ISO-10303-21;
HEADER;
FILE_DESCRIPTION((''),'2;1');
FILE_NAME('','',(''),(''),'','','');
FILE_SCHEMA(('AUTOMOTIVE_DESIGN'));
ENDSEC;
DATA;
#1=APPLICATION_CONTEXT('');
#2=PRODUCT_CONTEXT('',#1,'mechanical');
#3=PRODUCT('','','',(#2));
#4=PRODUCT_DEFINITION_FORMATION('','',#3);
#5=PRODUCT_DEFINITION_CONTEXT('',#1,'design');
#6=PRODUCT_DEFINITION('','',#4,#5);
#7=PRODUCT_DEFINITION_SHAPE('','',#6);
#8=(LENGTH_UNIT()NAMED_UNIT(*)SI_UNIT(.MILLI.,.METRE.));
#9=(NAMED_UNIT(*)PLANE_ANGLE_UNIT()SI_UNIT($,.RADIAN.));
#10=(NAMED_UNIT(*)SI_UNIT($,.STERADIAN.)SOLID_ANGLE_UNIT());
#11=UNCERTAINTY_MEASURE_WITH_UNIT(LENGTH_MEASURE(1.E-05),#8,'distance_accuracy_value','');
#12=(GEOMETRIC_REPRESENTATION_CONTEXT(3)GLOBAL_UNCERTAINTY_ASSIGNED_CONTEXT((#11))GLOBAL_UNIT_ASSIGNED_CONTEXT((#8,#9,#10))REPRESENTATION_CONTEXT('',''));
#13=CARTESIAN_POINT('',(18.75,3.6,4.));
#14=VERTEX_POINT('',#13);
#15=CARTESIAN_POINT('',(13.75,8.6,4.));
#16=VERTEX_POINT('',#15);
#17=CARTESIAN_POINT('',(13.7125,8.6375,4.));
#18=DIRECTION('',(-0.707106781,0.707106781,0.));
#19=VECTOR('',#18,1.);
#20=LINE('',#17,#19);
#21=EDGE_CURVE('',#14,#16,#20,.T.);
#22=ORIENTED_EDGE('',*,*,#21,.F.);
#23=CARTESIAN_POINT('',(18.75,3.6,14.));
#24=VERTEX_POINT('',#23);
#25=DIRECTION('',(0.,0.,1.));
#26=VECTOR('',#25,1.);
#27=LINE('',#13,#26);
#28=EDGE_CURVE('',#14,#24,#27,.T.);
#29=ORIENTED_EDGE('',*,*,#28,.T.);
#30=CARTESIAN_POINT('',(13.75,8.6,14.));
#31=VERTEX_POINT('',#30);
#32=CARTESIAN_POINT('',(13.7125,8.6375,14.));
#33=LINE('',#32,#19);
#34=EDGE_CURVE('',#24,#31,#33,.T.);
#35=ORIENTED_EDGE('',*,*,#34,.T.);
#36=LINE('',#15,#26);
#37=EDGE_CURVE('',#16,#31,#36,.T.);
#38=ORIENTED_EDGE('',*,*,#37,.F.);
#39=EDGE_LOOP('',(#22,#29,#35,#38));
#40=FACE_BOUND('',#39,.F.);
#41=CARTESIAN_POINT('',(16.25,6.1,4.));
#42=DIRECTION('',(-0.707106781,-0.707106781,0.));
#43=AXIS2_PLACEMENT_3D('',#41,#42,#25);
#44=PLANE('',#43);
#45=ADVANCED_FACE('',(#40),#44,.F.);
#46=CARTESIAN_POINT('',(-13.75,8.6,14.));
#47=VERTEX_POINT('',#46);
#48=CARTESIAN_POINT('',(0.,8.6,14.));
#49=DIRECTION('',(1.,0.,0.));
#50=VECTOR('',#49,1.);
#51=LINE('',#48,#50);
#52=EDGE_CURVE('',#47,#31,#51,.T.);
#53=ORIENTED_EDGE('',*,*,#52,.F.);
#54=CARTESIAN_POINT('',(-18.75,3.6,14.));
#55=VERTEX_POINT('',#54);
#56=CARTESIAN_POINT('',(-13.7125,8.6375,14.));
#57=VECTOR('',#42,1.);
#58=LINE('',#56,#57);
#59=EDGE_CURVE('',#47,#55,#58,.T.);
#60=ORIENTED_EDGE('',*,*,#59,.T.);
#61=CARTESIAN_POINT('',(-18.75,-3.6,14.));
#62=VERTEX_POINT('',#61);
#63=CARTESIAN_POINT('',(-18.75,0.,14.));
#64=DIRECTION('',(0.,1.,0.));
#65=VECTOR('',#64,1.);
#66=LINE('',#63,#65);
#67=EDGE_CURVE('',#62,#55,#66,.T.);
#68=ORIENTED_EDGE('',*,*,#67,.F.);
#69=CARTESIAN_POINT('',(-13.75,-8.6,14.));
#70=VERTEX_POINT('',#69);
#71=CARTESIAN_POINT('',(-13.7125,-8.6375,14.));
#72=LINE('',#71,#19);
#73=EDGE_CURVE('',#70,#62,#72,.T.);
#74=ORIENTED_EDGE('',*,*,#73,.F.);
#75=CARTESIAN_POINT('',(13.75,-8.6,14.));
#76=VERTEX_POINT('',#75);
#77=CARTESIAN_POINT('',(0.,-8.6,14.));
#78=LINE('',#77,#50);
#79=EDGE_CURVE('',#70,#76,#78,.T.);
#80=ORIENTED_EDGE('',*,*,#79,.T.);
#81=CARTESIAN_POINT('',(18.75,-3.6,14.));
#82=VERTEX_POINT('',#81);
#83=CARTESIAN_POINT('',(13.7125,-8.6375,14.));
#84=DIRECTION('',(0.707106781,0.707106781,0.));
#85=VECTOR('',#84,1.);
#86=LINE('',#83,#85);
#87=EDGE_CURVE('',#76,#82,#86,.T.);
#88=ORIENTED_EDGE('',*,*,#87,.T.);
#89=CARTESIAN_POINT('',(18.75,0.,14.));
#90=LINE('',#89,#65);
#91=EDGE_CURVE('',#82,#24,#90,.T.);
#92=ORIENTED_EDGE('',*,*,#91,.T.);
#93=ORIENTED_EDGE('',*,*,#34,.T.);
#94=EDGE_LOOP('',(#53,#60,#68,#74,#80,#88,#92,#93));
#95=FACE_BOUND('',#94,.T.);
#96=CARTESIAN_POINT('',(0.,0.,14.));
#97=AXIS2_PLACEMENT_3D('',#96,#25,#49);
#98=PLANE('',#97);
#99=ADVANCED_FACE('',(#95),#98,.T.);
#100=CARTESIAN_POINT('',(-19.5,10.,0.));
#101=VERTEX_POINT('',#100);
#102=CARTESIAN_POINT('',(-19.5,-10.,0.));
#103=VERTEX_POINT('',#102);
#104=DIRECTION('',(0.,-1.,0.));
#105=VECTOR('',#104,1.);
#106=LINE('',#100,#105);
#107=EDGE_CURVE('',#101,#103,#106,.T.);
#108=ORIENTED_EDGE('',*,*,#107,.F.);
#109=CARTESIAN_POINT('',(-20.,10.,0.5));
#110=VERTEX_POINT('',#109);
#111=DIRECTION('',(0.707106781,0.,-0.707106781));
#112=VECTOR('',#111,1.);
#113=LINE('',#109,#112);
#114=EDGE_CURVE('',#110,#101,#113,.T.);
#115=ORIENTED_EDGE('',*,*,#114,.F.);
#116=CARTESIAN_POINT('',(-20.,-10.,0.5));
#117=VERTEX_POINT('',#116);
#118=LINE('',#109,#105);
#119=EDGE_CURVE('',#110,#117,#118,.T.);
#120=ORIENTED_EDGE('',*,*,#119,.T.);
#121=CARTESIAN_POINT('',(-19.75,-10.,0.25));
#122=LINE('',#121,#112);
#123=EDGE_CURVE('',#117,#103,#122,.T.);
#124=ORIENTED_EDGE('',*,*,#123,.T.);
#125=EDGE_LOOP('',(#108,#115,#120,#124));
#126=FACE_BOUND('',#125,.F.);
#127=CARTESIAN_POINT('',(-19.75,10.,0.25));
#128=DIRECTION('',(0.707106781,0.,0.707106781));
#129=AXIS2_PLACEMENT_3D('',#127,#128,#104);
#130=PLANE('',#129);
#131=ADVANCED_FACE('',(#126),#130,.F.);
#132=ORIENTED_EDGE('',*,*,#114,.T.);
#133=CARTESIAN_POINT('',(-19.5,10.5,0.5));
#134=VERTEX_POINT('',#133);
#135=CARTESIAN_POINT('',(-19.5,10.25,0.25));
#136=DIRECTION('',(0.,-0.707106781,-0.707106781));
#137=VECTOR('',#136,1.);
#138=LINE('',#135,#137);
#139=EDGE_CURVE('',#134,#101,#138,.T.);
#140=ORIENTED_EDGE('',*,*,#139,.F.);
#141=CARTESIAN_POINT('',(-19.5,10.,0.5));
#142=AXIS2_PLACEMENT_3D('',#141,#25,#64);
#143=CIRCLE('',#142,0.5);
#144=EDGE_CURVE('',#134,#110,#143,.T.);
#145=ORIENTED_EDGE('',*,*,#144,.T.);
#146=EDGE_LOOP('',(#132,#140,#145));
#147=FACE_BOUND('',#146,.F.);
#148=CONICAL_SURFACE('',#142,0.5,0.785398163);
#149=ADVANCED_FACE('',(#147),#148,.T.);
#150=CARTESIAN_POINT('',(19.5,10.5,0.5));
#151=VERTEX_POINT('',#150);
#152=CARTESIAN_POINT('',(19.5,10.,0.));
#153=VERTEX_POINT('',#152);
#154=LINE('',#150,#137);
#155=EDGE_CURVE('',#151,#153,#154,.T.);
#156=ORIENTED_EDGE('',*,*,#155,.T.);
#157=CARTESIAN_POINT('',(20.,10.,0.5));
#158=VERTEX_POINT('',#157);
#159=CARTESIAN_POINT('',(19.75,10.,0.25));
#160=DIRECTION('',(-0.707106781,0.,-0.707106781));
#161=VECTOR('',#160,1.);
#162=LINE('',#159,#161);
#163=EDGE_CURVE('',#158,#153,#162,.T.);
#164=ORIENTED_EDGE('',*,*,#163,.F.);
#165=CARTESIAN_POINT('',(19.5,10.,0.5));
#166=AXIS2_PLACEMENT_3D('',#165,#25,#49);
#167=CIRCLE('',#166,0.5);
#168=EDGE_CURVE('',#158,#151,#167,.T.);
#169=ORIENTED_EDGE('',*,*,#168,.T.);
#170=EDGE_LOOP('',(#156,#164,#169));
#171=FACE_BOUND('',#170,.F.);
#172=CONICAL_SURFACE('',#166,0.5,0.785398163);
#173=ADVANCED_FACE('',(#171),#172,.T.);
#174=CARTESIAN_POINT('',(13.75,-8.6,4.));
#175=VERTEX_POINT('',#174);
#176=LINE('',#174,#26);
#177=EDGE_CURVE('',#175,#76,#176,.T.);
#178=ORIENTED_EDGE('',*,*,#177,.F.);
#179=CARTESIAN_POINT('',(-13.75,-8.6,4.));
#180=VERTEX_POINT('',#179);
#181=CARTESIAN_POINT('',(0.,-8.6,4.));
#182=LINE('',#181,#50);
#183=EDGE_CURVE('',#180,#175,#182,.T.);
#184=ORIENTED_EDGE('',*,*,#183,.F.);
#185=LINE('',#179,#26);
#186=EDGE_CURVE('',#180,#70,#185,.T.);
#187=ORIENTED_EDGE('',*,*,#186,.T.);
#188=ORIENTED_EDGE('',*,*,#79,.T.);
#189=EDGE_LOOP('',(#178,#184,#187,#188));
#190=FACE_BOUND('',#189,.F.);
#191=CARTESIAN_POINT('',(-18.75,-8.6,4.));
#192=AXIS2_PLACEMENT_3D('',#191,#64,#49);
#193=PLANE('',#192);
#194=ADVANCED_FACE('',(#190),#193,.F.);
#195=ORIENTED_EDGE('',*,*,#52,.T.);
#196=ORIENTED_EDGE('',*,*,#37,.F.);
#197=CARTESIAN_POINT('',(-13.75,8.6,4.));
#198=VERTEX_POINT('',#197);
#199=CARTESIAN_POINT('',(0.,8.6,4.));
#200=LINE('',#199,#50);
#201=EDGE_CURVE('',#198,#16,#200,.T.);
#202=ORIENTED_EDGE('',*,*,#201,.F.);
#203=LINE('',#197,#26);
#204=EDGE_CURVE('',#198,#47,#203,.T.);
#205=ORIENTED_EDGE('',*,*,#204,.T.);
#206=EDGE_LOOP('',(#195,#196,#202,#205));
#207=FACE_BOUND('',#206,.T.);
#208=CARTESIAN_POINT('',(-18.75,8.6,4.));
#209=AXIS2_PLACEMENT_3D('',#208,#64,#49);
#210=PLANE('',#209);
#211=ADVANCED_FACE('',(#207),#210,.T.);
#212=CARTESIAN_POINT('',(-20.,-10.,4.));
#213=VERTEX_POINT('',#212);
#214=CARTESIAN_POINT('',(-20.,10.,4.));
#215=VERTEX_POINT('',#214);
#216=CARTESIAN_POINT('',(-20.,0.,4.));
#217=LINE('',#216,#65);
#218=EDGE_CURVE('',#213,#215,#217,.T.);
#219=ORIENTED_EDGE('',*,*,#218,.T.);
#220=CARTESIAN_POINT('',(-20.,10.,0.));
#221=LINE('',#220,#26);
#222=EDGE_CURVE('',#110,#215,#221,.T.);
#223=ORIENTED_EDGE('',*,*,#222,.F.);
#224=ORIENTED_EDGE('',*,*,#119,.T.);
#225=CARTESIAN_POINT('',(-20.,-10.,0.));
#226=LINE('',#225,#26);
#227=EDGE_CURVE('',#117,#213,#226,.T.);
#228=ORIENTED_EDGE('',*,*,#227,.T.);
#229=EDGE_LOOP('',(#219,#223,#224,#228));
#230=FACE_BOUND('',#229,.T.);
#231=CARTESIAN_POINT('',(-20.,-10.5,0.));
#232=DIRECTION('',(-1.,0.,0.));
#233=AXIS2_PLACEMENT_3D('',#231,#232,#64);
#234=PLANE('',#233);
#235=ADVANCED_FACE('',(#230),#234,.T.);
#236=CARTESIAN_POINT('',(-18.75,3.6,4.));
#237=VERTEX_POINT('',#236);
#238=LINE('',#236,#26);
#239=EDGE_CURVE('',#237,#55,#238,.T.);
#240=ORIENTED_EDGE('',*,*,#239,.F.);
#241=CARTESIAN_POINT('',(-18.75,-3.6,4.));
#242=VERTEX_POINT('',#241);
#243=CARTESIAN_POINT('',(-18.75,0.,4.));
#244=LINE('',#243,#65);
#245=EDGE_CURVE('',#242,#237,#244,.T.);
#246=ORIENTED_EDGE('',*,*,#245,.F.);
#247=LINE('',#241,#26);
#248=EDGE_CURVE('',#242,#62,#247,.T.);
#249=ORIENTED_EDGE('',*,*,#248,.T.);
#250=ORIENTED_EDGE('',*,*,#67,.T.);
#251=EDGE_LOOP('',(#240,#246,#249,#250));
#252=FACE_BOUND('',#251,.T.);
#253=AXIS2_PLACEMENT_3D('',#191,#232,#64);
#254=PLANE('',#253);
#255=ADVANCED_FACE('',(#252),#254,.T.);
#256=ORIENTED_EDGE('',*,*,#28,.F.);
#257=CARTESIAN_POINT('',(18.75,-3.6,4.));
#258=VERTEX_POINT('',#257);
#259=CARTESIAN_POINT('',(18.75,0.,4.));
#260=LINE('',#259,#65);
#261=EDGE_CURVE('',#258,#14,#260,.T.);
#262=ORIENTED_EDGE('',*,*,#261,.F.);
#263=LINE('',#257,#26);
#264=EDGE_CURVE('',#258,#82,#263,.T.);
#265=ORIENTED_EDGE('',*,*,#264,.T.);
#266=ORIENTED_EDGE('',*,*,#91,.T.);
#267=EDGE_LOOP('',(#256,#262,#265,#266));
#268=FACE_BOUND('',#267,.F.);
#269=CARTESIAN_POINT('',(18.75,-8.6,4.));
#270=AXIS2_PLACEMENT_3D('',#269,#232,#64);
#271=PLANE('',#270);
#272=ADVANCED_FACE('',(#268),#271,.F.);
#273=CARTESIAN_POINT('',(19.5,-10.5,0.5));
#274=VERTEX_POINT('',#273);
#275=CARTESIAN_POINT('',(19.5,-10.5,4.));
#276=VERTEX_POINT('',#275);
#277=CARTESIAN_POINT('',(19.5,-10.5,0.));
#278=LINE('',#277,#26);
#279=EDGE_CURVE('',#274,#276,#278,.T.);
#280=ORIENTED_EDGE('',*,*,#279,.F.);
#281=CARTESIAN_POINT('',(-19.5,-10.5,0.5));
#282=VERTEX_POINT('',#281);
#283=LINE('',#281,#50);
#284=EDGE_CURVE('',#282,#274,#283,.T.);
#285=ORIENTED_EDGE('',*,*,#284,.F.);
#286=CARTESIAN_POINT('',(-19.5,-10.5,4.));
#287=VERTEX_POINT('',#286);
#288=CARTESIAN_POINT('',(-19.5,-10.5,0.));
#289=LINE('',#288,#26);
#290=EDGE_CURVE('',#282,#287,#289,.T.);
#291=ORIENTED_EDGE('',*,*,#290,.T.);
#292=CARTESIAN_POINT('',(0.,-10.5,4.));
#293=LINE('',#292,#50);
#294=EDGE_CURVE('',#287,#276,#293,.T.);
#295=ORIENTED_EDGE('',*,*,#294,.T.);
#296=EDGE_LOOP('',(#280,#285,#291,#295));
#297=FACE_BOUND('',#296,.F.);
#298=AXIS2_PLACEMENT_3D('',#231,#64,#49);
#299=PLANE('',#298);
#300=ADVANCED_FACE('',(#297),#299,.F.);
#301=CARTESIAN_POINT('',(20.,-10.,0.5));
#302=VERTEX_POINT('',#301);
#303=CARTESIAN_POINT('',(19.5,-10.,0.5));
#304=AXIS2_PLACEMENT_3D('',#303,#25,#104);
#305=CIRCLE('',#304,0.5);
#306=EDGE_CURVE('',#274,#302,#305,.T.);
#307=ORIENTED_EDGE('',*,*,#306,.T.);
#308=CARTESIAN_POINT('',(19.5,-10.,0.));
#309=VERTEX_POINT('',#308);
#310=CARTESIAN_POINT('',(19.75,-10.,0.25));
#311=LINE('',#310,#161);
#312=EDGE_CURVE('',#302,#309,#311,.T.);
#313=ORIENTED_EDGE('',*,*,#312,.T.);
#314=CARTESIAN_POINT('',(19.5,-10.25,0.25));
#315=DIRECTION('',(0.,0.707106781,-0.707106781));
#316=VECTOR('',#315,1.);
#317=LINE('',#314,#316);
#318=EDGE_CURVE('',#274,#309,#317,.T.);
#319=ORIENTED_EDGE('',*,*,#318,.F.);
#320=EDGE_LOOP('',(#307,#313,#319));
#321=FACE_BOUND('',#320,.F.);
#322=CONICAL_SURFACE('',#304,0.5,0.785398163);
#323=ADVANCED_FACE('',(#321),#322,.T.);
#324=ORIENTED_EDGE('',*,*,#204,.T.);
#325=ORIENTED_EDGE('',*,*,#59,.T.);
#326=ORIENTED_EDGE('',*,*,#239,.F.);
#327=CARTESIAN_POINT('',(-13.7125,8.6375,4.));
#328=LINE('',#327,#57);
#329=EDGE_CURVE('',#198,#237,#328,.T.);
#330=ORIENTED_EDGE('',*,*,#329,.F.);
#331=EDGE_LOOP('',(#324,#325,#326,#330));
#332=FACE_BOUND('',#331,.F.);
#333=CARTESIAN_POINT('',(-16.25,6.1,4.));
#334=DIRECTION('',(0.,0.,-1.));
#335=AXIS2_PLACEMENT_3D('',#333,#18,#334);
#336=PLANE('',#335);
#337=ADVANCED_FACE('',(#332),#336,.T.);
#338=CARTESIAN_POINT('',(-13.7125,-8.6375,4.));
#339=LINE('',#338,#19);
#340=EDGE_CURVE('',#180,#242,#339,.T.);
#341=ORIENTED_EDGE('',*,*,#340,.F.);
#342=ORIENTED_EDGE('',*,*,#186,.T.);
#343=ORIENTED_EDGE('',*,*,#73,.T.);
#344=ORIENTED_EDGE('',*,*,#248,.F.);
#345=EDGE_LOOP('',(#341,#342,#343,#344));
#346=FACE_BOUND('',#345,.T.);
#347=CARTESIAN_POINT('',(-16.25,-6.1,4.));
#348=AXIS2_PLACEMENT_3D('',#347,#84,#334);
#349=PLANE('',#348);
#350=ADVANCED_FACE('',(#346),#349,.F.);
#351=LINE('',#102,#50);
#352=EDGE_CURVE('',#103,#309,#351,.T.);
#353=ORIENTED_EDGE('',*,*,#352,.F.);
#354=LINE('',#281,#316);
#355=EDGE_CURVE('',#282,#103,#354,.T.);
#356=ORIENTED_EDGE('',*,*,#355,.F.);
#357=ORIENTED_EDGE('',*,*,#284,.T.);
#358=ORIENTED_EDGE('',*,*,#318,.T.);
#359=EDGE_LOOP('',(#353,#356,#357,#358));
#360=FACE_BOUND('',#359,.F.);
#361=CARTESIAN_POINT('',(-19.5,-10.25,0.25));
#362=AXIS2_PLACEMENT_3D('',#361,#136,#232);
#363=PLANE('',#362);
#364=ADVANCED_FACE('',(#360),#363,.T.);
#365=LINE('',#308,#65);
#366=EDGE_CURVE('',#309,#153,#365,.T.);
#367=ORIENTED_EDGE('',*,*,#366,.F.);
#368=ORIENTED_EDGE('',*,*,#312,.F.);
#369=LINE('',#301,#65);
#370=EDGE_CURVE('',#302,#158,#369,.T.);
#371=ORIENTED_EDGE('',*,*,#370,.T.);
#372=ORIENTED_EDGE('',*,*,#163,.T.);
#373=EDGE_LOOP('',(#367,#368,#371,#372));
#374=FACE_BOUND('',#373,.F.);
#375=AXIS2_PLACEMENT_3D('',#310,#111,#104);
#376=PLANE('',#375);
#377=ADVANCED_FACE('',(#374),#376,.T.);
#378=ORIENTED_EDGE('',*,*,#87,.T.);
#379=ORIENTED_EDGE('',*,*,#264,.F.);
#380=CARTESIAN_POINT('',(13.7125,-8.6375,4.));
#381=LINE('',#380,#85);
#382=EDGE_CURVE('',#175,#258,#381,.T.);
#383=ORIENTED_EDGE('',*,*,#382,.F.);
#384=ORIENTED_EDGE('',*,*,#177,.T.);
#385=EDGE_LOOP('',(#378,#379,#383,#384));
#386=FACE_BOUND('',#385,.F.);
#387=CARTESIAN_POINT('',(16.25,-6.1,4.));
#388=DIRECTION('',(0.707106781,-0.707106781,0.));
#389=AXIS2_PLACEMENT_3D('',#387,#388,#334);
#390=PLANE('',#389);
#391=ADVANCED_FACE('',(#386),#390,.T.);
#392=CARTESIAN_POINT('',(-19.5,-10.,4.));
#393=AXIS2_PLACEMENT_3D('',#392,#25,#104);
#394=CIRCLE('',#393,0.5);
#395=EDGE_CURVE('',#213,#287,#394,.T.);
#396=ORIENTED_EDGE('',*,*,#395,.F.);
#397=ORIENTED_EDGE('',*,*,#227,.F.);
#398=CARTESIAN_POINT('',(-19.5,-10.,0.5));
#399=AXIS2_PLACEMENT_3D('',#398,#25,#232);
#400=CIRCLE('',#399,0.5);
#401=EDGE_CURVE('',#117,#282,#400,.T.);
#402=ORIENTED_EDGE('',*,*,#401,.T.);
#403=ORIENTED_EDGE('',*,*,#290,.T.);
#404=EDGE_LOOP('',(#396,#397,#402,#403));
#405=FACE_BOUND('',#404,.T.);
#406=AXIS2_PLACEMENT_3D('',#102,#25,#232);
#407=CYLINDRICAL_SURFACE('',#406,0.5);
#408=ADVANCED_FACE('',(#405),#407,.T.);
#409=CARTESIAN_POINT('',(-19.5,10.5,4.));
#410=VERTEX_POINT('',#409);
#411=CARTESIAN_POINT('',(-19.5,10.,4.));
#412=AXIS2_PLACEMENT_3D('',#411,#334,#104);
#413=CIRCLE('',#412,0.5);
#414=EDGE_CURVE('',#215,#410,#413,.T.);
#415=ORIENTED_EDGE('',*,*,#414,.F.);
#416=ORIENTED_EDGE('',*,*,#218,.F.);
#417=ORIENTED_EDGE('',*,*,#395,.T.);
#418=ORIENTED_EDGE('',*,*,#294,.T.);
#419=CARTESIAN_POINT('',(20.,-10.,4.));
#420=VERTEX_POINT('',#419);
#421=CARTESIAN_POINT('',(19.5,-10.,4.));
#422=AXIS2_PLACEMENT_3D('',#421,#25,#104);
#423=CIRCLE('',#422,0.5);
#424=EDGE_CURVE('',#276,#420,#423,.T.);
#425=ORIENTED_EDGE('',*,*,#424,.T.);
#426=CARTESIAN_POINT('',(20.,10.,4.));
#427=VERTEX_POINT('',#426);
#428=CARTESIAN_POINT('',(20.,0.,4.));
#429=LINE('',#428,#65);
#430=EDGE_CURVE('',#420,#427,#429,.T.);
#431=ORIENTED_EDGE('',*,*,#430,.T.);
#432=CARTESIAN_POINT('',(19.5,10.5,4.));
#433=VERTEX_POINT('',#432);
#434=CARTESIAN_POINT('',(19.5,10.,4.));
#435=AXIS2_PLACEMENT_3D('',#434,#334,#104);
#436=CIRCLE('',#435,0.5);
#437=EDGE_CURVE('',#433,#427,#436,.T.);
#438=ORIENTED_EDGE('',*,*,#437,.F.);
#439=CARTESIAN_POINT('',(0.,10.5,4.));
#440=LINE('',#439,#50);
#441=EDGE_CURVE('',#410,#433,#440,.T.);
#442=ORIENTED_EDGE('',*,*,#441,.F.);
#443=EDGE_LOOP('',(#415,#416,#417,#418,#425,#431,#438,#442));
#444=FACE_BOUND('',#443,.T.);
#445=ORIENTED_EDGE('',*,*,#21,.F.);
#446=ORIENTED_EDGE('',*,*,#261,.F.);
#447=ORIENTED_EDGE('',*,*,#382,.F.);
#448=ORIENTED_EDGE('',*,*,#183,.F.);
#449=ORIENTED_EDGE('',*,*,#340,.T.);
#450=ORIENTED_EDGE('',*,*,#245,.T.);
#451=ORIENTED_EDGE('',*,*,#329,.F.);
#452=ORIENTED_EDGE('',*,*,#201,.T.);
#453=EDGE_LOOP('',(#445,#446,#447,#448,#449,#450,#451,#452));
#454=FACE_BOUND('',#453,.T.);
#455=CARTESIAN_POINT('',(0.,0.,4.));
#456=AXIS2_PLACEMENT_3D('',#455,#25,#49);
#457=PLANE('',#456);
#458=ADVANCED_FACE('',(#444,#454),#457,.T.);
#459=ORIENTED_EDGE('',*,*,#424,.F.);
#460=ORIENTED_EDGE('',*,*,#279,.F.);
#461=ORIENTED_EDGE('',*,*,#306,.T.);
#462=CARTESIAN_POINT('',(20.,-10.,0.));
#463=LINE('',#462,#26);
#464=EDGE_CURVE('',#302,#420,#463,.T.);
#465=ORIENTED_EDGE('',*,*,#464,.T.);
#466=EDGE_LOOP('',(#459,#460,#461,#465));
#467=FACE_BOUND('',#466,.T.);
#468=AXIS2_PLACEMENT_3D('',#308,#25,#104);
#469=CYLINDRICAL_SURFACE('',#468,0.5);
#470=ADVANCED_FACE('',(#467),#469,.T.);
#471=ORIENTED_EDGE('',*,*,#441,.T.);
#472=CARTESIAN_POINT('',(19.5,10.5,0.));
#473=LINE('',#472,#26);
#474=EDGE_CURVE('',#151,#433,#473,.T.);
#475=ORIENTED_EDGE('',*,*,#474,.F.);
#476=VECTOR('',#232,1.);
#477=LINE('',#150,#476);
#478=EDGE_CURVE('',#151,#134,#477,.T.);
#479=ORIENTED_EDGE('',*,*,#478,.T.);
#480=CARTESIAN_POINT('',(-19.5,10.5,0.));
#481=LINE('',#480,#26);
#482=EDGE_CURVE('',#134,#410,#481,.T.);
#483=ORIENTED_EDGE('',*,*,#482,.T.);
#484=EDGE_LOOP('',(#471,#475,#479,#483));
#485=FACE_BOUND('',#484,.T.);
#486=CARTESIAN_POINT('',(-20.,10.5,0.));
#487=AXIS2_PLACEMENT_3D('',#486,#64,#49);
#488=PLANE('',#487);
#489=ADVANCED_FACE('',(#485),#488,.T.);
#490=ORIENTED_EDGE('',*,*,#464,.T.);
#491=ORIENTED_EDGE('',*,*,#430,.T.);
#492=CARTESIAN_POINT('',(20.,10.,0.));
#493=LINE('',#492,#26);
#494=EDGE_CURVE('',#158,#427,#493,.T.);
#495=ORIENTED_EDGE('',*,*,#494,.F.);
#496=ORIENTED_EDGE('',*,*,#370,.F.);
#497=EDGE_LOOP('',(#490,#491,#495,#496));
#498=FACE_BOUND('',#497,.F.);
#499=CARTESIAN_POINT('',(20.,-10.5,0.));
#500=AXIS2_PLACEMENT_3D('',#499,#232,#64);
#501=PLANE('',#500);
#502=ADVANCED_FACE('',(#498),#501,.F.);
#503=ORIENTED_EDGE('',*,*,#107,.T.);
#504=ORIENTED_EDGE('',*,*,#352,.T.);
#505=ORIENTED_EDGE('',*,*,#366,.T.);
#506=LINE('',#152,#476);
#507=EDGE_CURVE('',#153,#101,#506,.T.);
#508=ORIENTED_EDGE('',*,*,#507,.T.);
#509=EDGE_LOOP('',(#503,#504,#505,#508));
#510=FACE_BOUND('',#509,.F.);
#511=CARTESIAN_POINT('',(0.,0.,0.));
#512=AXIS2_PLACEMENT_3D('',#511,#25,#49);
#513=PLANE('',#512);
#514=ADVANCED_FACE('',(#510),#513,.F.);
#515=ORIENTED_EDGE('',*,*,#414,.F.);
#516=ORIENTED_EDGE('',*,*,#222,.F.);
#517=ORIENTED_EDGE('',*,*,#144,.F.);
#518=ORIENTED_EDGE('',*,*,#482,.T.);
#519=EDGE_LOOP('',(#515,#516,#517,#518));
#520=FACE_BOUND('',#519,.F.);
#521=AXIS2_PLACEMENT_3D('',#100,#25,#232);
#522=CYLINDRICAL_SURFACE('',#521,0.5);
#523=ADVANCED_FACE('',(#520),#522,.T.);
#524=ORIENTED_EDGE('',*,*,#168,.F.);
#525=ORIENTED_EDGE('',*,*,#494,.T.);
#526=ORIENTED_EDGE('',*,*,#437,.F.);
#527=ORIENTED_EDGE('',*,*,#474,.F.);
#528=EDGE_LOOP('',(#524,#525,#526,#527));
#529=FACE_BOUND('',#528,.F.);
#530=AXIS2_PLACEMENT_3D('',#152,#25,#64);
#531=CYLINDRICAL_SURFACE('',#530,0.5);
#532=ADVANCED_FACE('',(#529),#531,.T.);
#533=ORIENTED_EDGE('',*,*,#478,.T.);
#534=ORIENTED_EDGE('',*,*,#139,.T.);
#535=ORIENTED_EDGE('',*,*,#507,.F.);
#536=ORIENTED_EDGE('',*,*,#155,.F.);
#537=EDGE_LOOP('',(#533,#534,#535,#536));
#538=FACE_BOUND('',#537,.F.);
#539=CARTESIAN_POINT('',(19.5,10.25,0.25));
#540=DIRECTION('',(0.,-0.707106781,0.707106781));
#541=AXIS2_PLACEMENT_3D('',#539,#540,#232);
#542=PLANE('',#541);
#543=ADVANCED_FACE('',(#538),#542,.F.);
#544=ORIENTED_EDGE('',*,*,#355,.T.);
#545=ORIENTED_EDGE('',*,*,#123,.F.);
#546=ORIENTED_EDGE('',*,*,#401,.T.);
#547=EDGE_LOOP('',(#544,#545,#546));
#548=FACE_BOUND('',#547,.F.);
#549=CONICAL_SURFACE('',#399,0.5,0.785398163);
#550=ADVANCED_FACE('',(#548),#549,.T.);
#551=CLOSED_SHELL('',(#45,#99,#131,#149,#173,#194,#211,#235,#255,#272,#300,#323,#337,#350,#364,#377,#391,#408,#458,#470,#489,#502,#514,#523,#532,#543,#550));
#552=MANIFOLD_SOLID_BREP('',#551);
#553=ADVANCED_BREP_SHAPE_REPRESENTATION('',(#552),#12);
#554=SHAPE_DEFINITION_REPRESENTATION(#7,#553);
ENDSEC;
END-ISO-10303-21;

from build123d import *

# Parameters (mm, degrees)
F0_W     = 40
F0_H     = 21
F1_DEPTH = 4
F2_W     = 37.5
F2_H     = 17.2
F3_DEPTH = 10
F4_SIZE  = 5
F5_R     = 0.5
F6_SIZE  = 0.5


with BuildPart() as f1:
    # F0 (on Top) → F1 (new body)
    with BuildSketch(Plane.XY):
        Rectangle(F0_W, F0_H)
    extrude(amount=F1_DEPTH)

    # F2 (on face) → F3 (join)
    with BuildSketch(Plane.XY.offset(4)):
        Rectangle(F2_W, F2_H)
    extrude(amount=F3_DEPTH)

    # F4
    f4_edges = [f1.edges().sort_by_distance(p)[0] for p in [
        (18.75, -8.6, 9),
        (-18.75, -8.6, 9),
        (18.75, 8.6, 9),
        (-18.75, 8.6, 9),
    ]]
    chamfer(f4_edges, length=F4_SIZE)

    # F5
    f5_edges = [f1.edges().sort_by_distance(p)[0] for p in [
        (-20, -10.5, 2),
        (-20, 10.5, 2),
        (20, -10.5, 2),
        (20, 10.5, 2),
    ]]
    fillet(f5_edges, radius=F5_R)

    # F6
    f6_edges = [f1.edges().sort_by_distance(p)[0] for p in [
        (20, 0, 0),
    ]]
    chamfer(f6_edges, length=F6_SIZE)


solid = f1.part
